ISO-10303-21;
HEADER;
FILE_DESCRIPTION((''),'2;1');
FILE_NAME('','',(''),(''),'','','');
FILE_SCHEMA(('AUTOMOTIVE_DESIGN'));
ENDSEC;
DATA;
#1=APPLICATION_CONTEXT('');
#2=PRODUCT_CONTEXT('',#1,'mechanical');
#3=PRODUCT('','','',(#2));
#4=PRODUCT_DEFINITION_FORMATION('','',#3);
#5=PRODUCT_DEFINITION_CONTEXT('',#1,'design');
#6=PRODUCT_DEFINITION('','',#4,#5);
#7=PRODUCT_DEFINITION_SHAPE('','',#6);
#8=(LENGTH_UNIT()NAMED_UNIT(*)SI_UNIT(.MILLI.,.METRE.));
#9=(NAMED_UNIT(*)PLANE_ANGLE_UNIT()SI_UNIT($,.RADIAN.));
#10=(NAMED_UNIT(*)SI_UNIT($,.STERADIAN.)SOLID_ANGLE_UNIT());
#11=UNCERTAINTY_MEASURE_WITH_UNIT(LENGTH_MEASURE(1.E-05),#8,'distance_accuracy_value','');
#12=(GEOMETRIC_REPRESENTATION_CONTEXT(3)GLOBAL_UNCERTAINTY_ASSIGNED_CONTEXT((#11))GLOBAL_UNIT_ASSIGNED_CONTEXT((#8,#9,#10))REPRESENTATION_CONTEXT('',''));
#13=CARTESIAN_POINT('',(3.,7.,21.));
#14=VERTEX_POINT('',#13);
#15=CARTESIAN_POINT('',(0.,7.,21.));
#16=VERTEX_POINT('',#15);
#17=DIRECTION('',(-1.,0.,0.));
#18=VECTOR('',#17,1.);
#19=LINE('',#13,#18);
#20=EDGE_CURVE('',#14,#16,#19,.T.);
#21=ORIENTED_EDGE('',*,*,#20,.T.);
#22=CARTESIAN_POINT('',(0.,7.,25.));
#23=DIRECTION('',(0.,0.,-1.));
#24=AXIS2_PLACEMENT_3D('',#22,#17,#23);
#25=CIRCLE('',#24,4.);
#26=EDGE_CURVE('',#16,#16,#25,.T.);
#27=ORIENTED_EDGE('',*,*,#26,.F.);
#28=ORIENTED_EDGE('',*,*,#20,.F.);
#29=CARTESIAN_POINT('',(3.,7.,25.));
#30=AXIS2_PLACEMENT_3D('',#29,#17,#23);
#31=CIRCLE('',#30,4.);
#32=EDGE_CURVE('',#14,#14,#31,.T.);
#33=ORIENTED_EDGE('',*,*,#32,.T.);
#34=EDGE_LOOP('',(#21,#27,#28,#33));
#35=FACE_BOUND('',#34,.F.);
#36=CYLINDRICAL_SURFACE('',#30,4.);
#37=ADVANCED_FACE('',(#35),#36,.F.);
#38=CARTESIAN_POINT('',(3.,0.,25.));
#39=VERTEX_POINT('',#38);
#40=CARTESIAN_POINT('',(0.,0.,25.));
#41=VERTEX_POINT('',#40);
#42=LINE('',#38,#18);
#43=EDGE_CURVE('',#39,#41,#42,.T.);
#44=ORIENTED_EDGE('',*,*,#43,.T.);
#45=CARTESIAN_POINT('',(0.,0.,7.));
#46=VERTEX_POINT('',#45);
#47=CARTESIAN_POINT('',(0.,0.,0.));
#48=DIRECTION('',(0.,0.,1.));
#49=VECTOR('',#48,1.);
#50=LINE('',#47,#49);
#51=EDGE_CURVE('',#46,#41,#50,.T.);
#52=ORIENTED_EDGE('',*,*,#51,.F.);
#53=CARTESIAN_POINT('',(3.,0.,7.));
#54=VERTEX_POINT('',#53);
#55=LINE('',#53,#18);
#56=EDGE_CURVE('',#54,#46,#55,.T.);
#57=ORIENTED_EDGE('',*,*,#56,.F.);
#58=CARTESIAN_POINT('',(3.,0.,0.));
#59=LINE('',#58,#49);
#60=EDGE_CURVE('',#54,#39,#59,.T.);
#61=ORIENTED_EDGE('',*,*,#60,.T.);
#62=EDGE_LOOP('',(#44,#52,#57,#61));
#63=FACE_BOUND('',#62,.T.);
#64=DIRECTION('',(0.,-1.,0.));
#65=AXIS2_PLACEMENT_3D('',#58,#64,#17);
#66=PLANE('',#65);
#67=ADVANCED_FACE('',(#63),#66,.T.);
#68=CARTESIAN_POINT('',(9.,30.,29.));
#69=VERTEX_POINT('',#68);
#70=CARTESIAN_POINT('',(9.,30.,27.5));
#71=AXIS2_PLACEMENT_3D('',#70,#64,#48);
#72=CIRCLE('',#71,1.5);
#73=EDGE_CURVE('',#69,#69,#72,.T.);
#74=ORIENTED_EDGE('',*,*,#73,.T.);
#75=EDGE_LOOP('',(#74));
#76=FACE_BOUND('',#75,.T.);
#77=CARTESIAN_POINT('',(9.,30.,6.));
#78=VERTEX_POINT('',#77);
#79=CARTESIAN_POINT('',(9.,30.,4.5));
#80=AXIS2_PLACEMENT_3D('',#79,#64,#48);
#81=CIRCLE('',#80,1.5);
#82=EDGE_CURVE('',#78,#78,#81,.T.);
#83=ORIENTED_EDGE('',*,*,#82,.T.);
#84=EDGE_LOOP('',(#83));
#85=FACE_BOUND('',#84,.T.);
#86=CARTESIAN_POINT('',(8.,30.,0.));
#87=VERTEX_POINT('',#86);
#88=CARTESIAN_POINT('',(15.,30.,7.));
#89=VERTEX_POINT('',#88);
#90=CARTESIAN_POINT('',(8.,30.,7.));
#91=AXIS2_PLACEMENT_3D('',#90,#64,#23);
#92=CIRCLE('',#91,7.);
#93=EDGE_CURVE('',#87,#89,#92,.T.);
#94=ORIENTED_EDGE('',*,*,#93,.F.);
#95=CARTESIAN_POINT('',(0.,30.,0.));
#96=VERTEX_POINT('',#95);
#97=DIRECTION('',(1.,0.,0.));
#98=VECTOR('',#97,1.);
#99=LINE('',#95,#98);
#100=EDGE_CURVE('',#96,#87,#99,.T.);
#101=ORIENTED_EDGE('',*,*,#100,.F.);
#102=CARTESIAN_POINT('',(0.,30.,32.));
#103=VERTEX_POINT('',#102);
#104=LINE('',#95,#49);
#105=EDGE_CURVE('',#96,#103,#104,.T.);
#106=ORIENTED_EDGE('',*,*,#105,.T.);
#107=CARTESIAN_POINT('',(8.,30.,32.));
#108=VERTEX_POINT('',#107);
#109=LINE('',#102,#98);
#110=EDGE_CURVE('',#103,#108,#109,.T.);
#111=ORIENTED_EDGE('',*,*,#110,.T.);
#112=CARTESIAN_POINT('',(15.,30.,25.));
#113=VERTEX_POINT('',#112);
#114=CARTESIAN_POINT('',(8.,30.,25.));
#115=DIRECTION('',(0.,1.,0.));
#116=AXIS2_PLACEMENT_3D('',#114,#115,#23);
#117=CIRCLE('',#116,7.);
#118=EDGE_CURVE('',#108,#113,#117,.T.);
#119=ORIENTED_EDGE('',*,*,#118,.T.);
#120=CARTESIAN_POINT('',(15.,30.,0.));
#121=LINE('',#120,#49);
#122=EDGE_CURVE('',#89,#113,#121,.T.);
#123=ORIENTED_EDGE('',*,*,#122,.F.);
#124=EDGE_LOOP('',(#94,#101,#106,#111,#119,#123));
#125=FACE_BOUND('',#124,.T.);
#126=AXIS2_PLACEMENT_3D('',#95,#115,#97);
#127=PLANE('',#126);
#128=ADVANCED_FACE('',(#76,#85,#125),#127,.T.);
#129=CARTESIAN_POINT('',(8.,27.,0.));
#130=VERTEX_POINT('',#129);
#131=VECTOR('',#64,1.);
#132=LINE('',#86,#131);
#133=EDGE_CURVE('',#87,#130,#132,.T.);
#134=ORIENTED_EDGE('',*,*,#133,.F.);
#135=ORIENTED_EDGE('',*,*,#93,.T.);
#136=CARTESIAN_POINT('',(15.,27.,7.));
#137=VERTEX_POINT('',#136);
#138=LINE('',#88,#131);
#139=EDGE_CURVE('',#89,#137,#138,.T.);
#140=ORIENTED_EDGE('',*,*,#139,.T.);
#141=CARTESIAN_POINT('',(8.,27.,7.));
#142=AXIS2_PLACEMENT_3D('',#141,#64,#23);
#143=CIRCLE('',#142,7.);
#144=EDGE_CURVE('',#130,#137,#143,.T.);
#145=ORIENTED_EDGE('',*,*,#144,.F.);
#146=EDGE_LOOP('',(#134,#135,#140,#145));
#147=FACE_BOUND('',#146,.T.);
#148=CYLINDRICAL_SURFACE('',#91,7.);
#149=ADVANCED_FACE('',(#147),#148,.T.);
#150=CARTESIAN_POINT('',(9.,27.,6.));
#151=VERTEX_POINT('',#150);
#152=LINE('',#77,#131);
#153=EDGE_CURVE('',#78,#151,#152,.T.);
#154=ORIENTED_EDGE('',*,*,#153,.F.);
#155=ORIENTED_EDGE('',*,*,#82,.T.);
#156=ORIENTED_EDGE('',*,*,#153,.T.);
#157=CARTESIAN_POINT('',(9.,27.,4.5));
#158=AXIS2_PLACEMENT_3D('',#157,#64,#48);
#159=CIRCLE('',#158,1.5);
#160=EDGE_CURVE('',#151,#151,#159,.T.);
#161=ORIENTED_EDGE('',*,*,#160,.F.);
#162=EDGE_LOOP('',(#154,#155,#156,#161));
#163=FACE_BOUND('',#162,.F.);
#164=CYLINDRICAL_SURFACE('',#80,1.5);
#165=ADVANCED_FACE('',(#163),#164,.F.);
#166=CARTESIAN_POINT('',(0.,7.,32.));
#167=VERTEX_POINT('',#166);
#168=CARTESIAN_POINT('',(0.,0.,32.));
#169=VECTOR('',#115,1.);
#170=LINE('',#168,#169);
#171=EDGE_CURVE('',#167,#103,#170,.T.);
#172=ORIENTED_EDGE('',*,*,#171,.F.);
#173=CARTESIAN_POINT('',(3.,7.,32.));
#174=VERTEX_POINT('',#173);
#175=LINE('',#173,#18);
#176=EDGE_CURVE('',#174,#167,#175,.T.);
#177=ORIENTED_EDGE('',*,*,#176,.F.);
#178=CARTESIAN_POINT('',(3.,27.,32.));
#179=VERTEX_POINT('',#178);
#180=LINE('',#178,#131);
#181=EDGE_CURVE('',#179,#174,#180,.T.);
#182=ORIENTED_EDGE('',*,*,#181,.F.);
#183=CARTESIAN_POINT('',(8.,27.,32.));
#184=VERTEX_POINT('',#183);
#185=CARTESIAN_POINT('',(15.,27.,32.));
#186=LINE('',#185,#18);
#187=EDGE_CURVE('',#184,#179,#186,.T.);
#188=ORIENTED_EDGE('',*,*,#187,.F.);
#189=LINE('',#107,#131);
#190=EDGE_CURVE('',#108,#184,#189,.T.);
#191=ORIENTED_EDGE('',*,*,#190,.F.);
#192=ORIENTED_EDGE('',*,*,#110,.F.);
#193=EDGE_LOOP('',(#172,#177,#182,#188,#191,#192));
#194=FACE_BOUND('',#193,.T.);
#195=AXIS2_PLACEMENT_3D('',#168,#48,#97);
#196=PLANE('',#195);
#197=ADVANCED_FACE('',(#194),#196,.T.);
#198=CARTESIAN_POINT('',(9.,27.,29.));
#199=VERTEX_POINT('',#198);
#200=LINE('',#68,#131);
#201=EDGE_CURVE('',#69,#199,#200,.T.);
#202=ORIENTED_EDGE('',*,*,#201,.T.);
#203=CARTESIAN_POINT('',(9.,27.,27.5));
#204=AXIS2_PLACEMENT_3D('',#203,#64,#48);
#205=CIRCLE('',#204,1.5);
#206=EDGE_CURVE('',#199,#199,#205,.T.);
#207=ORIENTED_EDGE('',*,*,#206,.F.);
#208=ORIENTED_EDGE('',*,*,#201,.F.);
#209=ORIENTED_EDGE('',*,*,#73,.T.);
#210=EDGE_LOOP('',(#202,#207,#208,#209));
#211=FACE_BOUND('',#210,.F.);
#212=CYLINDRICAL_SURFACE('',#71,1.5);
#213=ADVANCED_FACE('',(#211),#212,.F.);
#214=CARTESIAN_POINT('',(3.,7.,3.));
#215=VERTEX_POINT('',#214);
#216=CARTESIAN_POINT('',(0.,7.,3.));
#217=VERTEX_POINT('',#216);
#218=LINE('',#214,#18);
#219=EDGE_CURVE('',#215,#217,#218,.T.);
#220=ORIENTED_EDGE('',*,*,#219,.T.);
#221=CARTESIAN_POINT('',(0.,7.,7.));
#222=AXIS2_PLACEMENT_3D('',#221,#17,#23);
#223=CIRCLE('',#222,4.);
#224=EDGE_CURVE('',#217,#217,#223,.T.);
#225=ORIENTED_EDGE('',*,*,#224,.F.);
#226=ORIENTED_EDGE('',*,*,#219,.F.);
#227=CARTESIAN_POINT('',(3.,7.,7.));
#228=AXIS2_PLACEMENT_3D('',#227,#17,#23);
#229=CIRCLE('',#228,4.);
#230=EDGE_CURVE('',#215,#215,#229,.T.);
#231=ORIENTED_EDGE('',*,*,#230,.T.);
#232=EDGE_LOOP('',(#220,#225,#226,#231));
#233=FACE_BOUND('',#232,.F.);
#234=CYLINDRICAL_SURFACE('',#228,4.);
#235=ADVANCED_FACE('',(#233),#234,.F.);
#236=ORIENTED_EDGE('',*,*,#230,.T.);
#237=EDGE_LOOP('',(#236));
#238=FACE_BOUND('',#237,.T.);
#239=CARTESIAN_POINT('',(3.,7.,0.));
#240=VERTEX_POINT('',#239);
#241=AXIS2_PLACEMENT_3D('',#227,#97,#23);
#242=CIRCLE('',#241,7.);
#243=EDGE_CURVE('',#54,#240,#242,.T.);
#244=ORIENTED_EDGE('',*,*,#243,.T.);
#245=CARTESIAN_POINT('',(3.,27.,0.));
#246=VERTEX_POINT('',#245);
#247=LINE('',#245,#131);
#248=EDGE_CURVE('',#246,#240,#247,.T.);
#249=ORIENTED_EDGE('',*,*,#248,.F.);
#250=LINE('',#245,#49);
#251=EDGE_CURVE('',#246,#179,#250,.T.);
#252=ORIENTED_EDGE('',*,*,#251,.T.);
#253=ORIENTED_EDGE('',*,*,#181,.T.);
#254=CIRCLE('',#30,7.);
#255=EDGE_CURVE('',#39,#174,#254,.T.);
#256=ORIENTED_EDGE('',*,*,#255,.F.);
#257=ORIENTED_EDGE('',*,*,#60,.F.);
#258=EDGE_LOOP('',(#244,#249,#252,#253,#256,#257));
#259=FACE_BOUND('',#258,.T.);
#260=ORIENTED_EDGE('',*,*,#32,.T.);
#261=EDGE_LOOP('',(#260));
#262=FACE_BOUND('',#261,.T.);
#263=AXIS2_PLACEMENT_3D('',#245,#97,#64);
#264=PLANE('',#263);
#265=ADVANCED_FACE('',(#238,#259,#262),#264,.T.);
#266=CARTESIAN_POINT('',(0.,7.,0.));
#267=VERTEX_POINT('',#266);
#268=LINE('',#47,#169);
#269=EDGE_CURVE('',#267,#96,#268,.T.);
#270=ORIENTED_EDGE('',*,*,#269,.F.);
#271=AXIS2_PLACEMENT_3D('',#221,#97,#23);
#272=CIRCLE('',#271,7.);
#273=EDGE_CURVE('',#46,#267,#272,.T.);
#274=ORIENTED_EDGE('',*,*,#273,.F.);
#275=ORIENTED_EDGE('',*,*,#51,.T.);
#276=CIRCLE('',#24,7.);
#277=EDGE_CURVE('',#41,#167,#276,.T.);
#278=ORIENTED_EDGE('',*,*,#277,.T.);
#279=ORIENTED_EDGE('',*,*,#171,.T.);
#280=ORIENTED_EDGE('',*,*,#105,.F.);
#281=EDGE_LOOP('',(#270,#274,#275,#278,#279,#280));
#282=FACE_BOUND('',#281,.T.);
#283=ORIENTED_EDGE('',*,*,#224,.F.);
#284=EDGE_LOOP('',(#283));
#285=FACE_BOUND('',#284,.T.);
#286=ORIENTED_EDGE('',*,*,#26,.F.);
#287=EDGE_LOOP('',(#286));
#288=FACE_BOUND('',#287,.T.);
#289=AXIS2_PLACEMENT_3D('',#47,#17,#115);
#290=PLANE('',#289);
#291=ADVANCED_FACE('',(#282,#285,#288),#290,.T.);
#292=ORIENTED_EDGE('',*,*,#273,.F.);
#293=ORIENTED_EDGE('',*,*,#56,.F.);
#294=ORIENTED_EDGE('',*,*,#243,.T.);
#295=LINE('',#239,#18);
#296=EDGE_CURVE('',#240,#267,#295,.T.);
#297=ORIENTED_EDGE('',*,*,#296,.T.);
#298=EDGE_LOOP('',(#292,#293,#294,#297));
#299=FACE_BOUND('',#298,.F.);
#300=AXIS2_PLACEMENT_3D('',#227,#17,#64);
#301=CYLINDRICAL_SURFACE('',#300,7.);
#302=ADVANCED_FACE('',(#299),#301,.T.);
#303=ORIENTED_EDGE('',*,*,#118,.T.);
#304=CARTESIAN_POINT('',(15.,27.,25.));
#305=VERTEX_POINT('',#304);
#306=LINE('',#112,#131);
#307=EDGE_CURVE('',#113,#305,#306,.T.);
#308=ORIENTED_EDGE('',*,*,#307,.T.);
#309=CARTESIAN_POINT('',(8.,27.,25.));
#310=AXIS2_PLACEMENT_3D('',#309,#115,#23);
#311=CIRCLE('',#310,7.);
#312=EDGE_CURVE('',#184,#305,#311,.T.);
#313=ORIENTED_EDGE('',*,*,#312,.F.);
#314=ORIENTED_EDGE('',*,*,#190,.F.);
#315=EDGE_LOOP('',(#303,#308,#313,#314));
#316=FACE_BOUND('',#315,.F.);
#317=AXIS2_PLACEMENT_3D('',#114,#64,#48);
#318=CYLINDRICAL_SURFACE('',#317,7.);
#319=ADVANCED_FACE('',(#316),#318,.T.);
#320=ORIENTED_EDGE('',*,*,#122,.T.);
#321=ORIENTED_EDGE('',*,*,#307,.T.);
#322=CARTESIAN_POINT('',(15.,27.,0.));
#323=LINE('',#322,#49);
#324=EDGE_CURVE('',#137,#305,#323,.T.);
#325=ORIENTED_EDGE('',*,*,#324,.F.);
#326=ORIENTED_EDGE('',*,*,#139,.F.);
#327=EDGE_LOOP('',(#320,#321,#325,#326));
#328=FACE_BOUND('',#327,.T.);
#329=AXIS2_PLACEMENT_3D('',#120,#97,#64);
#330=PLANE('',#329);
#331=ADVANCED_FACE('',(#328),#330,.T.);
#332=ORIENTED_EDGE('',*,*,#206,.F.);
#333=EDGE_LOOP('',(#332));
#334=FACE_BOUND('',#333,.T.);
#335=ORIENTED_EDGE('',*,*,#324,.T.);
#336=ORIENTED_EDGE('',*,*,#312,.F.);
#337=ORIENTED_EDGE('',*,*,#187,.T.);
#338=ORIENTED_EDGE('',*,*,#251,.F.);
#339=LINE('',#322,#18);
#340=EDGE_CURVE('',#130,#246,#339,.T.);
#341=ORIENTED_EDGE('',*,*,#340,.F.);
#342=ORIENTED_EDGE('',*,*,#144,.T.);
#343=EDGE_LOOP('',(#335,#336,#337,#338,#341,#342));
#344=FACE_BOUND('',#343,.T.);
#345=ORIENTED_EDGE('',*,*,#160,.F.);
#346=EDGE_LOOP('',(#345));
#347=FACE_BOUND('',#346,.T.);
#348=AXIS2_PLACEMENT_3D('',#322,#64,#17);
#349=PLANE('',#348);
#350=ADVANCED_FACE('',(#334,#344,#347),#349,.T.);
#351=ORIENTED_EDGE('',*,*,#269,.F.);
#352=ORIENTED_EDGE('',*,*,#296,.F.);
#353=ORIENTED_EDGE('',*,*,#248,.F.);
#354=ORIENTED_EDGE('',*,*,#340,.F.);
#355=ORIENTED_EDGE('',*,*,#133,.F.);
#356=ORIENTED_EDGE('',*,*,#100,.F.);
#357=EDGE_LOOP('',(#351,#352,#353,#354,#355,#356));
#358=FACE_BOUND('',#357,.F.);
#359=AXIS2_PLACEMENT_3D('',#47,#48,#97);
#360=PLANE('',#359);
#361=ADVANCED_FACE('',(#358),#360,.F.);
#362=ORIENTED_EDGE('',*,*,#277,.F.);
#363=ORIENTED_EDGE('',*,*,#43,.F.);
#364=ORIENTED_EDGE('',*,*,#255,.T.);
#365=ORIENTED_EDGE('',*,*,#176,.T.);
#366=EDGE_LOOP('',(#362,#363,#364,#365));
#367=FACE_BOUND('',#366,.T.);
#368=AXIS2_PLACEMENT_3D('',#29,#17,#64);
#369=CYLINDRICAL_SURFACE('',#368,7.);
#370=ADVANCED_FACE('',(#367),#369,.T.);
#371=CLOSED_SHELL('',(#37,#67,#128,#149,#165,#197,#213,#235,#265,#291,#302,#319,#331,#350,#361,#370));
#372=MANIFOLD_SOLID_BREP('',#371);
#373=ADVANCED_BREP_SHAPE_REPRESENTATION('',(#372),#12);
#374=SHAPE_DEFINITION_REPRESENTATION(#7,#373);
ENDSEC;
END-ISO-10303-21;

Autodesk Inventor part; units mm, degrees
ref_plane "YZ Plane" through (0, 0, 0) normal (1, 0, 0) x (0, 1, 0)
ref_plane "XZ Plane" through (0, 0, 0) normal (0, 1, 0) x (-1, 0, 0)
ref_plane "XY Plane" through (0, 0, 0) normal (0, 0, 1) x (1, 0, 0)
sketch "Sketch1" plane through (0, 0, 0) normal (0, 0, 1) x (1, 0, 0)
  line L0 (0, 0) -> (0, 30)
  line L1 (0, 30) -> (15, 30)
  line L2 (15, 30) -> (15, 27)
  line L3 (15, 27) -> (3, 27)
  line L4 (3, 27) -> (3, 0)
  line L5 (3, 0) -> (0, 0)
  dimension "d0" = 30
  dimension "d1" = 12
  dimension "d2" = 3
  dimension "d3" = 3
extrude "Extrusion1" add sketch "Sketch1" along normal blind 32
fillet "Fillet1" radius 7 2 edges at (1.5, 0, 32) (1.5, 0, 0)
sketch "Sketch2" plane through (3, 27, 32) normal (1, 0, 0) x (0, 0, -1)
  line L0 (0, -20) -> (0, 0) projected
  line L1 (32, 3) -> (0, 3) projected
  point P0 (32, -27)
  point P1 (7, -20)
  point P2 (25, -20)
  dimension "d7" = 18
  dimension "d8" = 7
  dimension "d9" = 23
  dimension "d10" = 23
hole "Hole1" at (3, 7, 25) at (3, 7, 7) direction (-1, 0, 0) diameter 8 end through all
sketch "Sketch3" plane through (0, 30, 0) normal (0, 1, 0) x (1, 0, 0)
  line L0 (15, 0) -> (0, 0) projected
  line L1 (0, 0) -> (0, -32) projected
  point P0 (9, -27.5)
  point P1 (9, -4.5)
  dimension "d18" = 23
  dimension "d19" = 4.5
  dimension "d20" = 9
  dimension "d21" = 9
hole "Hole2" at (9, 30, 27.5) at (9, 30, 4.5) direction (0, -1, 0) diameter 3 end through all
fillet "Fillet2" radius 7 2 edges at (15, 28.5, 0) (15, 28.5, 32)
properties part number "HUDSON-1-76"
